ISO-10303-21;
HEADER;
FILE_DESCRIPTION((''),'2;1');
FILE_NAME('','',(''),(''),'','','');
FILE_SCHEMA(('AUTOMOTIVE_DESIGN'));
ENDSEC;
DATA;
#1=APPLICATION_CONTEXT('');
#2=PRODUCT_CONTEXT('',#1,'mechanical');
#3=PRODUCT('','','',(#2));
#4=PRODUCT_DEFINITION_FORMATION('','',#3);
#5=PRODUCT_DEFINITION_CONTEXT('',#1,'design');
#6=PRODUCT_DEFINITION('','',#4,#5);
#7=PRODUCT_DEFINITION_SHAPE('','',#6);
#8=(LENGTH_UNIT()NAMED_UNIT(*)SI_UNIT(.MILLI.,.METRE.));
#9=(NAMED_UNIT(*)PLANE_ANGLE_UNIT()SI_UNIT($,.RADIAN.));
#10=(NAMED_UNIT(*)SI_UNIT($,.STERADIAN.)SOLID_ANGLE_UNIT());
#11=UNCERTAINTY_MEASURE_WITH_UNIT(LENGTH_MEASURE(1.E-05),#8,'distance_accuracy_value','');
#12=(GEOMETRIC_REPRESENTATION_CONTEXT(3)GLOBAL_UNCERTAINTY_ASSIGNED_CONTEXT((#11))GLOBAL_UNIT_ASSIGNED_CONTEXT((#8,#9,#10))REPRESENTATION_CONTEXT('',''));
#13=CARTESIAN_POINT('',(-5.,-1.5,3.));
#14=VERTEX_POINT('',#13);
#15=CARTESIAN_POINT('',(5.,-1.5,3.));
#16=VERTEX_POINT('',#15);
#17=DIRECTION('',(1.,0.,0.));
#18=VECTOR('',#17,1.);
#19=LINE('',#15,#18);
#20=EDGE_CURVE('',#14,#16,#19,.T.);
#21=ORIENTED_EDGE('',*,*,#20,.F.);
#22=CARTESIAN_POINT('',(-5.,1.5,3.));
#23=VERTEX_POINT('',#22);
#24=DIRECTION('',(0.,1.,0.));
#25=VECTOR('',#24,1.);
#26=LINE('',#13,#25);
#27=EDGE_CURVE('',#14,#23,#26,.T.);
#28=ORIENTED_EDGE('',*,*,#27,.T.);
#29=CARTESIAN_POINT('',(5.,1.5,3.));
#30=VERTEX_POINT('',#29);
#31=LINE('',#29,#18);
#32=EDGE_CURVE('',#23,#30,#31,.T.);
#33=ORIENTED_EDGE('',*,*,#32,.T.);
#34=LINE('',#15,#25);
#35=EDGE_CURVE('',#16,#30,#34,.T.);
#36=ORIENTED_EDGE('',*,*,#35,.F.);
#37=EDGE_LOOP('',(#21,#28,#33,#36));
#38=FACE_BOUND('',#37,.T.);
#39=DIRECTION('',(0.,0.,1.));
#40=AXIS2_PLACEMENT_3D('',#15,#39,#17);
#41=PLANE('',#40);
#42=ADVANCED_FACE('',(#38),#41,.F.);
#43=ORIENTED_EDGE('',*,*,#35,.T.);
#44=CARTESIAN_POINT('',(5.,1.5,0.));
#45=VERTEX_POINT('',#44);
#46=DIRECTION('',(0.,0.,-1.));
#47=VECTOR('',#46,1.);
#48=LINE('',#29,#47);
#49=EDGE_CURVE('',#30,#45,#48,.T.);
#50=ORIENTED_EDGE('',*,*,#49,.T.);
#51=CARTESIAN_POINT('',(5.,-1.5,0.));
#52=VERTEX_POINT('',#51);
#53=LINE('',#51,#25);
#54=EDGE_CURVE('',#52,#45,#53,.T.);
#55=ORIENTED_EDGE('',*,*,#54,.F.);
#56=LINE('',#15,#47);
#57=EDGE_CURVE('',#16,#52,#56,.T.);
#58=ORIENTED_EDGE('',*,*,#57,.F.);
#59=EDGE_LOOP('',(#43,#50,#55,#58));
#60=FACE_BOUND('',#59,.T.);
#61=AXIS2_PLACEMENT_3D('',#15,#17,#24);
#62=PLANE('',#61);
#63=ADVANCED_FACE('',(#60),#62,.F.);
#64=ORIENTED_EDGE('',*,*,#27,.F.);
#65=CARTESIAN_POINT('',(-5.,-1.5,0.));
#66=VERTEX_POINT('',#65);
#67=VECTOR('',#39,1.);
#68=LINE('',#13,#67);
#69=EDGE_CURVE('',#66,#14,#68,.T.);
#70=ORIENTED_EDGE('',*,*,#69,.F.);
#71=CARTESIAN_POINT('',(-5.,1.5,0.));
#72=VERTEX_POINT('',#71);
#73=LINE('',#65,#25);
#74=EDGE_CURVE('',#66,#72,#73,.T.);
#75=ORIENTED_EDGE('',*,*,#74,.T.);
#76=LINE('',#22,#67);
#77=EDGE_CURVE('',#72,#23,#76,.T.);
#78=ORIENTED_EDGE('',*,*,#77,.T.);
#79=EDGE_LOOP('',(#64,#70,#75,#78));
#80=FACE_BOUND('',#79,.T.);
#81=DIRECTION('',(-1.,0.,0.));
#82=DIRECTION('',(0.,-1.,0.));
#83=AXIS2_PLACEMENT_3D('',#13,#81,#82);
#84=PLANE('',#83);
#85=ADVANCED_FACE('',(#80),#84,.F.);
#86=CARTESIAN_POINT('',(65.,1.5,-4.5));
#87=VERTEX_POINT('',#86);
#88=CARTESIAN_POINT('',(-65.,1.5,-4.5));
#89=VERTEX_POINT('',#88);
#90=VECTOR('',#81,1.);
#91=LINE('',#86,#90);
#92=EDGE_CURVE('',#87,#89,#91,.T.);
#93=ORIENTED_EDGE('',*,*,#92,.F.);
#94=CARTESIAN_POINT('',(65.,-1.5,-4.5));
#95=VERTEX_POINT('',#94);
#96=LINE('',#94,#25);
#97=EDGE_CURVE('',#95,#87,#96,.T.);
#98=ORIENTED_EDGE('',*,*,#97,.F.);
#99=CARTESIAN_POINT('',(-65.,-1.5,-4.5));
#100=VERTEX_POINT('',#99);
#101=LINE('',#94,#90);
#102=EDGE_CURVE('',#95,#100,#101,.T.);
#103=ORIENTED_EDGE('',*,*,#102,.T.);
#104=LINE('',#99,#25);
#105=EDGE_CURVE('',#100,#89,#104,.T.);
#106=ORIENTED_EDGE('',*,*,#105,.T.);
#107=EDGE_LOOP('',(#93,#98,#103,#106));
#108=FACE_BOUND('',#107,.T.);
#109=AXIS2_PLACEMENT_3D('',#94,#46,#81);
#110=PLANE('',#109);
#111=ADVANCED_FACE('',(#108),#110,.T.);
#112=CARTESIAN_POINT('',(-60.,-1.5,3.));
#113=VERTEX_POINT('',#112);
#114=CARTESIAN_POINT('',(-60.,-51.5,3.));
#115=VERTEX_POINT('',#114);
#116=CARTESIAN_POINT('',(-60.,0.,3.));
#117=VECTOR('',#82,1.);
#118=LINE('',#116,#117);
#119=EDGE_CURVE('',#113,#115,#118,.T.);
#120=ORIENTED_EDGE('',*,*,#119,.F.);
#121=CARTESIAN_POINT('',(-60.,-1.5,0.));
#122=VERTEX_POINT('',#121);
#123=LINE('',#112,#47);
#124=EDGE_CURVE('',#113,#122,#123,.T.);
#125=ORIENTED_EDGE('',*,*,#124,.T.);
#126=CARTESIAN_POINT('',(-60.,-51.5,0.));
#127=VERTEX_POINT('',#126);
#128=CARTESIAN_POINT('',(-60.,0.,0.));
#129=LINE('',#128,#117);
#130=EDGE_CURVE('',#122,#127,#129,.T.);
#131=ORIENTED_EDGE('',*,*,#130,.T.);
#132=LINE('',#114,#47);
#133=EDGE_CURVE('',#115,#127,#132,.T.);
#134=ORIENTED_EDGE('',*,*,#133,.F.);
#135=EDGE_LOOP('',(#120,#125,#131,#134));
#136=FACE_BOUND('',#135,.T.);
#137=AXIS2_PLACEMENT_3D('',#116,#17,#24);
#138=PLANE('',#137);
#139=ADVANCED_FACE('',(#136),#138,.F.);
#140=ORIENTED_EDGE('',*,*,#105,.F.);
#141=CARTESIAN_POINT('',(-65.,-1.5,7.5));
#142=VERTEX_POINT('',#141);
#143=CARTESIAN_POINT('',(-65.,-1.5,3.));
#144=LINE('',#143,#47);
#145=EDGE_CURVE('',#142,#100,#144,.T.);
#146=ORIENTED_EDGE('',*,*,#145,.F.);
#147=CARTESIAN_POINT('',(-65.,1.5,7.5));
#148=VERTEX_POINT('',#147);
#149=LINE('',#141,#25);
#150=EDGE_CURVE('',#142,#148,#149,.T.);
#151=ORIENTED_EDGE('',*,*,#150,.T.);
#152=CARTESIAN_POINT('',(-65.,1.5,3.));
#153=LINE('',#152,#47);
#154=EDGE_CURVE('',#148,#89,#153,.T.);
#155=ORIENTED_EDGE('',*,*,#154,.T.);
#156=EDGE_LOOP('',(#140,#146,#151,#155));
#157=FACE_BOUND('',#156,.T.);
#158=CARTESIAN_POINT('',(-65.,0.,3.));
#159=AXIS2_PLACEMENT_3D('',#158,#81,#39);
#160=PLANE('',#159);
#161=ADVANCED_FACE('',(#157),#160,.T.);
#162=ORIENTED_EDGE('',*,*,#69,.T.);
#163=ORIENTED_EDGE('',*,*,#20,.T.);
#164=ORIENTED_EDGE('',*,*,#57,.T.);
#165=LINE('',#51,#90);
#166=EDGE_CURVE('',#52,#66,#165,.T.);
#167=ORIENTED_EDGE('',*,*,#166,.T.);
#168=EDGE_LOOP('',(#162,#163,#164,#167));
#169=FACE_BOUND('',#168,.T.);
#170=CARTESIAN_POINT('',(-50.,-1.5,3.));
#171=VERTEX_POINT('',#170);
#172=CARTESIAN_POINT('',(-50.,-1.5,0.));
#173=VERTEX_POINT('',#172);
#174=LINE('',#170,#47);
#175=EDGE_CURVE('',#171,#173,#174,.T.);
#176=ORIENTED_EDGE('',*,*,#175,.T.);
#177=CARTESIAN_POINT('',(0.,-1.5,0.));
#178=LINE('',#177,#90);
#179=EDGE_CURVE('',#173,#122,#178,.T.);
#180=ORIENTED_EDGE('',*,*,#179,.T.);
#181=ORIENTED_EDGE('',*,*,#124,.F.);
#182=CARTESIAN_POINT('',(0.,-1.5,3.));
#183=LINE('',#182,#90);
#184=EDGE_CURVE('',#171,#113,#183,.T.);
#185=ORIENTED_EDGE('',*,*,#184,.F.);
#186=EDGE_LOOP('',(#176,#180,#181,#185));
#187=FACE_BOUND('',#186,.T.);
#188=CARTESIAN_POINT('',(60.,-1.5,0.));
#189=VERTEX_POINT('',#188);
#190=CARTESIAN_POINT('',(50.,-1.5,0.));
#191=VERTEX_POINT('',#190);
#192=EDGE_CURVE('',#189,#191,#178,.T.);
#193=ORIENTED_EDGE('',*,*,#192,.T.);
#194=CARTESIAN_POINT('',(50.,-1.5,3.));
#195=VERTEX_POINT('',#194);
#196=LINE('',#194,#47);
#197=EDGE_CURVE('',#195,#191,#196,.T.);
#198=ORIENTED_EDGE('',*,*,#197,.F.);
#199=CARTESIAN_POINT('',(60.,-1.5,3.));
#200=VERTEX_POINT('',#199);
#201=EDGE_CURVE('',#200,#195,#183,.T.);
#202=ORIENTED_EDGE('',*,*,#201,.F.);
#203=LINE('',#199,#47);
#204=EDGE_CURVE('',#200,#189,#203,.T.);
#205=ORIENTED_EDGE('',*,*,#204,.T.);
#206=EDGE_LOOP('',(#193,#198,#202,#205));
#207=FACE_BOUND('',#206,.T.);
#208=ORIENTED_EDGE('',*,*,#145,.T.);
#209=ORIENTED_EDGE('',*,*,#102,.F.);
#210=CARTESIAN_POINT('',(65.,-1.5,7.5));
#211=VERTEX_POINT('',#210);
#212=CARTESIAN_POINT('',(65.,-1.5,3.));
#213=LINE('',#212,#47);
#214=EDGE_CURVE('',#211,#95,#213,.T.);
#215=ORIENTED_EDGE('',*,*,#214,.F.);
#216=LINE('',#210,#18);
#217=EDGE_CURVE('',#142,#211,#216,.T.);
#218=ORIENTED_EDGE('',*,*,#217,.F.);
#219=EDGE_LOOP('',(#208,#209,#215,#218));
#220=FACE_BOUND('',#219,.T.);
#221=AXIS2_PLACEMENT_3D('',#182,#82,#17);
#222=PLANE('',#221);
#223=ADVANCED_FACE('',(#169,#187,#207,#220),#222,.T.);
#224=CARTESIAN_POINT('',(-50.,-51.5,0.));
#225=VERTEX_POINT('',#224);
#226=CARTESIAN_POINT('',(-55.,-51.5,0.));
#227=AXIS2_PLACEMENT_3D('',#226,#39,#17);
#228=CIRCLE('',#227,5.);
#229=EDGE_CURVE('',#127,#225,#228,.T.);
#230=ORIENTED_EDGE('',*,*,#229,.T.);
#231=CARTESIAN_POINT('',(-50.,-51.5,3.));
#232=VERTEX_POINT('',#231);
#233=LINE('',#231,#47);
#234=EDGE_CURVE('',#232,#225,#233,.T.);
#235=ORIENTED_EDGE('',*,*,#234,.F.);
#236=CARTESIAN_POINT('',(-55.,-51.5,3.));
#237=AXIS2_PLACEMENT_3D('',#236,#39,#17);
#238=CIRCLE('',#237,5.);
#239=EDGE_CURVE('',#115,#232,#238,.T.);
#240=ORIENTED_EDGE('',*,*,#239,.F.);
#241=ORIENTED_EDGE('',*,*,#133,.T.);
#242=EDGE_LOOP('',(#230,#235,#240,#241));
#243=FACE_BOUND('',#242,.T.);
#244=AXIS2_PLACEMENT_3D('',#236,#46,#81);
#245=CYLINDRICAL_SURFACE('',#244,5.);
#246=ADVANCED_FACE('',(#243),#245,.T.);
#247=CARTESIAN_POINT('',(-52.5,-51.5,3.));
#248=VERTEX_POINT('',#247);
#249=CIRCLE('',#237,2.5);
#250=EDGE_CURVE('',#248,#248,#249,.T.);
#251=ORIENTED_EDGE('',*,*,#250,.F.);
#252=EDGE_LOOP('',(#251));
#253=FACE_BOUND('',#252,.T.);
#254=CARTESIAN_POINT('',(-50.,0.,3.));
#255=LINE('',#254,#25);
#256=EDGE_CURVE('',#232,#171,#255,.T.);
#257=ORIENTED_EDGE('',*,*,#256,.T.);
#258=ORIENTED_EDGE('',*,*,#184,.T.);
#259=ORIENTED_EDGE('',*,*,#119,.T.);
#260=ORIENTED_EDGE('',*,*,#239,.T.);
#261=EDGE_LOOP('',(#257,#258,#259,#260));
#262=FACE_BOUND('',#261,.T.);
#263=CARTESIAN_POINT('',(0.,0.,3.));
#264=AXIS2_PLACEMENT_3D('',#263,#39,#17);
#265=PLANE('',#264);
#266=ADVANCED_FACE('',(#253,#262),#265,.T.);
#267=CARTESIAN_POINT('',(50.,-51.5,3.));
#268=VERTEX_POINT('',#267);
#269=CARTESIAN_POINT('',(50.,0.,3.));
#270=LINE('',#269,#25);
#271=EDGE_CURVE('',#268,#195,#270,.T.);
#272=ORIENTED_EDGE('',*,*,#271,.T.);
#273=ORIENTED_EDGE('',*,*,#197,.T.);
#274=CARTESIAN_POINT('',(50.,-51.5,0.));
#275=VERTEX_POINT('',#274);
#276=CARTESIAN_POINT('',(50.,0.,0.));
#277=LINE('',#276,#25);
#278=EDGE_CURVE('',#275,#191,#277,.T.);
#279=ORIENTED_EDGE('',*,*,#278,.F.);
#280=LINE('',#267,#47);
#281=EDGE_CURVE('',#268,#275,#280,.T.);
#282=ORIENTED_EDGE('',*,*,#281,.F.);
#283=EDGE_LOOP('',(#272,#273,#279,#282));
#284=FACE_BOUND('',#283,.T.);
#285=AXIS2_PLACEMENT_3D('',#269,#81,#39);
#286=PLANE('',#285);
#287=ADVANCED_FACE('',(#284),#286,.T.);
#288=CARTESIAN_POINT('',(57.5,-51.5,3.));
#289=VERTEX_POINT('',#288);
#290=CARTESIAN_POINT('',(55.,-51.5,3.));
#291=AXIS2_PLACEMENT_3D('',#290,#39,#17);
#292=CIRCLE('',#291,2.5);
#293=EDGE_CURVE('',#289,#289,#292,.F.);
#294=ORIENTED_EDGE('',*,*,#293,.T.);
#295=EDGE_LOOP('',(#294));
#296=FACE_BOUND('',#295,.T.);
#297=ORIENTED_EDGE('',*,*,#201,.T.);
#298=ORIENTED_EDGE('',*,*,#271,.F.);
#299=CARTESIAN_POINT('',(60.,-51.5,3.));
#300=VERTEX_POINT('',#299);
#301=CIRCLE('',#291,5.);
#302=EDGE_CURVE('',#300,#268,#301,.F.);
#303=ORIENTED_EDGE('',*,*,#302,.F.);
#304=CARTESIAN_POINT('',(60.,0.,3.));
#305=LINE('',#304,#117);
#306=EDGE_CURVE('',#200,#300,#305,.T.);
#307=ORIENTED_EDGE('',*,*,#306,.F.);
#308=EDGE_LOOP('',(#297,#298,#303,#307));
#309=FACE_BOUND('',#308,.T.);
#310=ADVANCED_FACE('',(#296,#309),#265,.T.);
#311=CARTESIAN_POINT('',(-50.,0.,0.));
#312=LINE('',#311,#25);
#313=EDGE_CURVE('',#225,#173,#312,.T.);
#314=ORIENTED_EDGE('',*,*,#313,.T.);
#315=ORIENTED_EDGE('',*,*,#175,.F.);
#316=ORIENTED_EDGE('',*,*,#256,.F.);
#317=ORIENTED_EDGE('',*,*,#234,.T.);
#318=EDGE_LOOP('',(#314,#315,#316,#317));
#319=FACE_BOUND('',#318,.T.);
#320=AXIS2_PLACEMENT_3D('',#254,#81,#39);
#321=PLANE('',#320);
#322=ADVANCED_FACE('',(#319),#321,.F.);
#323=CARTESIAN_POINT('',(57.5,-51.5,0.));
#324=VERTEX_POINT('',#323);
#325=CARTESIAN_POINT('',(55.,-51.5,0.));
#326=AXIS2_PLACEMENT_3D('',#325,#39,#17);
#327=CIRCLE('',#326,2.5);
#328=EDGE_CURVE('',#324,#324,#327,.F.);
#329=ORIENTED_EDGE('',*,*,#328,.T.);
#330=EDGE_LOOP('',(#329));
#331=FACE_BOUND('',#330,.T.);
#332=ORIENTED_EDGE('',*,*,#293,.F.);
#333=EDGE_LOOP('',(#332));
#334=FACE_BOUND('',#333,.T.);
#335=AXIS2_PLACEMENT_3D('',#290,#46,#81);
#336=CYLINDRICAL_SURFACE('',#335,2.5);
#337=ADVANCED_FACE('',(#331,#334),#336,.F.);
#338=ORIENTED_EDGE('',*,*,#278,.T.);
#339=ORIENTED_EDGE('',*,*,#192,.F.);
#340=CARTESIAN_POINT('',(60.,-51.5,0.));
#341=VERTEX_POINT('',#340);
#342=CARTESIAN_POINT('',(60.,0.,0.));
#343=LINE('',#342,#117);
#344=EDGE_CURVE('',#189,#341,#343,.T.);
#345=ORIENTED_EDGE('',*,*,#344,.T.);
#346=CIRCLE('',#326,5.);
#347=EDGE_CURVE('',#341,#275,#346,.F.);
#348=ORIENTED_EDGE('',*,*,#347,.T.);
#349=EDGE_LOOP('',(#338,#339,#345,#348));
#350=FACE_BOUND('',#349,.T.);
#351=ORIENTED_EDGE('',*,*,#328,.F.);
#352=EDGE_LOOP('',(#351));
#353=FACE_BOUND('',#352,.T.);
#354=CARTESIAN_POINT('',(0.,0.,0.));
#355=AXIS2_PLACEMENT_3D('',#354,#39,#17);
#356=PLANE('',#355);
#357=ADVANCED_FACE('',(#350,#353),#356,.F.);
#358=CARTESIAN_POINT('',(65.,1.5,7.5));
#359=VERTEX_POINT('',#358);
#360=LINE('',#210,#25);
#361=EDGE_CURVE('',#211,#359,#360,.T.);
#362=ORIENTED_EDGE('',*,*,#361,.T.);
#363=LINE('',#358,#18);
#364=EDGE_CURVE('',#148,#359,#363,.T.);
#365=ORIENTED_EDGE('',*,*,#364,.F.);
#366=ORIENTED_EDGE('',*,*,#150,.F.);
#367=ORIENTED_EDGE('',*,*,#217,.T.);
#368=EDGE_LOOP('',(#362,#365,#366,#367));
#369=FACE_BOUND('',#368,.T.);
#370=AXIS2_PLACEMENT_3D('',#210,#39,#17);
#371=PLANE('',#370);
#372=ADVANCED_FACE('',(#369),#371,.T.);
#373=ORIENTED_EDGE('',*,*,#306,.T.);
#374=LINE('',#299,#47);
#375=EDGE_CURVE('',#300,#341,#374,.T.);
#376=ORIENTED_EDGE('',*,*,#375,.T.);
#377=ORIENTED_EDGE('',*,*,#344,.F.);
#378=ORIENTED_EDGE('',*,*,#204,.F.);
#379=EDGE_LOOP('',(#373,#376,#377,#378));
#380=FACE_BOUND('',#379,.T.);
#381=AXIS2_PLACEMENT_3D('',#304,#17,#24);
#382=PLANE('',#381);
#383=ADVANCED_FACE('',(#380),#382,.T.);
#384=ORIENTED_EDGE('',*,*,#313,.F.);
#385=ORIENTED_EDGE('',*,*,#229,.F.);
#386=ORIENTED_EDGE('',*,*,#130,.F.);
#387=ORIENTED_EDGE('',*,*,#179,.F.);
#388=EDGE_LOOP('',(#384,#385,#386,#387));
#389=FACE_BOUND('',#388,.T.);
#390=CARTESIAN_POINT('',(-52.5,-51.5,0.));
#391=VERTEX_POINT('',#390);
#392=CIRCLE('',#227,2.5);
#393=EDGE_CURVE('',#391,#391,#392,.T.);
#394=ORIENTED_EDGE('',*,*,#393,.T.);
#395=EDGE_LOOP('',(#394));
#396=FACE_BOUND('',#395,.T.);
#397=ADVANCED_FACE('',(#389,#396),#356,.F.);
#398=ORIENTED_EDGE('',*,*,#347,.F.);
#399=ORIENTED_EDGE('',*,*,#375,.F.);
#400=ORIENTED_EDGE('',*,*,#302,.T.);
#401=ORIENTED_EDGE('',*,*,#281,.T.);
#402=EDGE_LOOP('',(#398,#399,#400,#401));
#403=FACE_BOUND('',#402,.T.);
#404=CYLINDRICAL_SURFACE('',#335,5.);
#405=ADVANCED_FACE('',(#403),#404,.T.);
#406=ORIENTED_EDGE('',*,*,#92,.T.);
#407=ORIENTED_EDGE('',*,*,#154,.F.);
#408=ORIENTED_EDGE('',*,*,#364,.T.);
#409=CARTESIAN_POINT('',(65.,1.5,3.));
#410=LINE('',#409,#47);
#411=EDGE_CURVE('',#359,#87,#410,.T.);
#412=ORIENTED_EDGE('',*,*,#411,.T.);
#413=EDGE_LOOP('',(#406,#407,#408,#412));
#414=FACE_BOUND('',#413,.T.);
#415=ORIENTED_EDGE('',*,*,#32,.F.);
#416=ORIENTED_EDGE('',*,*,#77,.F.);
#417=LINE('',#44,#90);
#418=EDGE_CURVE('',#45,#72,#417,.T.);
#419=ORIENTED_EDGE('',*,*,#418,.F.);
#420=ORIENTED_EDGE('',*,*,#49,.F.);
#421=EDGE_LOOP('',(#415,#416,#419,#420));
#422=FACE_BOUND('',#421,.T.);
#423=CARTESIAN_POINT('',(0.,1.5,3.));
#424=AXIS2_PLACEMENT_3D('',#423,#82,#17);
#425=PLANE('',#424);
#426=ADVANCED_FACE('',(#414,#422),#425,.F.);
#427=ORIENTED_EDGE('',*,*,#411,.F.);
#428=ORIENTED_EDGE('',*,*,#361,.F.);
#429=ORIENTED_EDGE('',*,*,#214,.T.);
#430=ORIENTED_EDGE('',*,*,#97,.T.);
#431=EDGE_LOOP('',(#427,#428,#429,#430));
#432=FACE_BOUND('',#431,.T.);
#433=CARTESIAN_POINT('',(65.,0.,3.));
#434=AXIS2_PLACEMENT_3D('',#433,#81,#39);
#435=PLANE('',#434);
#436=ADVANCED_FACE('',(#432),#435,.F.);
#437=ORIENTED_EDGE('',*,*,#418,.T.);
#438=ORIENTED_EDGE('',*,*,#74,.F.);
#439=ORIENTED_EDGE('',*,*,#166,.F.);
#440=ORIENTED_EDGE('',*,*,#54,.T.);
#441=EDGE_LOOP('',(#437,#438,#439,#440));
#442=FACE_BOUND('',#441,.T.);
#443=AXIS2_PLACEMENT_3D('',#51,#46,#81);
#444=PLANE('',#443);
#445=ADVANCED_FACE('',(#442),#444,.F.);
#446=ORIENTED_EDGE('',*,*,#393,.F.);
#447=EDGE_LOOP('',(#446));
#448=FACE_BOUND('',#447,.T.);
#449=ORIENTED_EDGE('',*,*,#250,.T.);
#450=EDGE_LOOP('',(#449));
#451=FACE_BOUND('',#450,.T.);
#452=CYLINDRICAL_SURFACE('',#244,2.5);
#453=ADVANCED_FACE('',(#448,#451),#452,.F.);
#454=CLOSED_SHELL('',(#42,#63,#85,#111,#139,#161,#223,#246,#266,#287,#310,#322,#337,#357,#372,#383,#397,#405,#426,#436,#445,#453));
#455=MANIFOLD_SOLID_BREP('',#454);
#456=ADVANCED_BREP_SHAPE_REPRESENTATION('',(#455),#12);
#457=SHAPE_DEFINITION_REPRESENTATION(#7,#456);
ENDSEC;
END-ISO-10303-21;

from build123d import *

# Parameters (mm, degrees)
SKETCH1_R           = 2.5
BOSS_EXTRUDE1_DEPTH = 3
SKETCH2_W           = 130
SKETCH2_H           = 12
BOSS_EXTRUDE2_DEPTH = 3
SKETCH3_W           = 10
SKETCH3_H           = 3
CUT_EXTRUDE1_DEPTH  = 3


with BuildPart() as part:
    # Sketch1 → Boss-Extrude1 (new body)
    with BuildSketch(Plane.XY):
        with BuildLine():
            Line((-50, -51.5), (-50, -1.5))
            Line((-50, -1.5), (50, -1.5))
            Line((50, -1.5), (50, -51.5))
            ThreePointArc((50, -51.5), (55, -56.5), (60, -51.5))
            Line((60, -51.5), (60, -1.5))
            Line((60, -1.5), (65, -1.5))
            Line((65, -1.5), (65, 1.5))
            Line((65, 1.5), (-65, 1.5))
            Line((-65, 1.5), (-65, -1.5))
            Line((-65, -1.5), (-60, -1.5))
            Line((-60, -1.5), (-60, -51.5))
            ThreePointArc((-60, -51.5), (-55, -56.5), (-50, -51.5))
        make_face()
        with Locations((-55, -51.5)):
            Circle(SKETCH1_R, mode=Mode.SUBTRACT)
        with Locations((55, -51.5)):
            Circle(SKETCH1_R, mode=Mode.SUBTRACT)
    extrude(amount=BOSS_EXTRUDE1_DEPTH)

    # Sketch2 → Boss-Extrude2 (add)
    with BuildSketch(Plane(origin=(0, 1.5, 0), x_dir=(1, 0, 0), z_dir=(0, 1, 0))):
        with Locations((0, -1.5)):
            Rectangle(SKETCH2_W, SKETCH2_H)
    extrude(amount=-BOSS_EXTRUDE2_DEPTH)

    # Sketch3 → Cut-Extrude1 (cut)
    with BuildSketch(Plane(origin=(0, 1.5, 0), x_dir=(1, 0, 0), z_dir=(0, 1, 0))):
        with Locations((0, -1.5)):
            Rectangle(SKETCH3_W, SKETCH3_H)
    extrude(amount=-CUT_EXTRUDE1_DEPTH, mode=Mode.SUBTRACT)


solid = part.part
